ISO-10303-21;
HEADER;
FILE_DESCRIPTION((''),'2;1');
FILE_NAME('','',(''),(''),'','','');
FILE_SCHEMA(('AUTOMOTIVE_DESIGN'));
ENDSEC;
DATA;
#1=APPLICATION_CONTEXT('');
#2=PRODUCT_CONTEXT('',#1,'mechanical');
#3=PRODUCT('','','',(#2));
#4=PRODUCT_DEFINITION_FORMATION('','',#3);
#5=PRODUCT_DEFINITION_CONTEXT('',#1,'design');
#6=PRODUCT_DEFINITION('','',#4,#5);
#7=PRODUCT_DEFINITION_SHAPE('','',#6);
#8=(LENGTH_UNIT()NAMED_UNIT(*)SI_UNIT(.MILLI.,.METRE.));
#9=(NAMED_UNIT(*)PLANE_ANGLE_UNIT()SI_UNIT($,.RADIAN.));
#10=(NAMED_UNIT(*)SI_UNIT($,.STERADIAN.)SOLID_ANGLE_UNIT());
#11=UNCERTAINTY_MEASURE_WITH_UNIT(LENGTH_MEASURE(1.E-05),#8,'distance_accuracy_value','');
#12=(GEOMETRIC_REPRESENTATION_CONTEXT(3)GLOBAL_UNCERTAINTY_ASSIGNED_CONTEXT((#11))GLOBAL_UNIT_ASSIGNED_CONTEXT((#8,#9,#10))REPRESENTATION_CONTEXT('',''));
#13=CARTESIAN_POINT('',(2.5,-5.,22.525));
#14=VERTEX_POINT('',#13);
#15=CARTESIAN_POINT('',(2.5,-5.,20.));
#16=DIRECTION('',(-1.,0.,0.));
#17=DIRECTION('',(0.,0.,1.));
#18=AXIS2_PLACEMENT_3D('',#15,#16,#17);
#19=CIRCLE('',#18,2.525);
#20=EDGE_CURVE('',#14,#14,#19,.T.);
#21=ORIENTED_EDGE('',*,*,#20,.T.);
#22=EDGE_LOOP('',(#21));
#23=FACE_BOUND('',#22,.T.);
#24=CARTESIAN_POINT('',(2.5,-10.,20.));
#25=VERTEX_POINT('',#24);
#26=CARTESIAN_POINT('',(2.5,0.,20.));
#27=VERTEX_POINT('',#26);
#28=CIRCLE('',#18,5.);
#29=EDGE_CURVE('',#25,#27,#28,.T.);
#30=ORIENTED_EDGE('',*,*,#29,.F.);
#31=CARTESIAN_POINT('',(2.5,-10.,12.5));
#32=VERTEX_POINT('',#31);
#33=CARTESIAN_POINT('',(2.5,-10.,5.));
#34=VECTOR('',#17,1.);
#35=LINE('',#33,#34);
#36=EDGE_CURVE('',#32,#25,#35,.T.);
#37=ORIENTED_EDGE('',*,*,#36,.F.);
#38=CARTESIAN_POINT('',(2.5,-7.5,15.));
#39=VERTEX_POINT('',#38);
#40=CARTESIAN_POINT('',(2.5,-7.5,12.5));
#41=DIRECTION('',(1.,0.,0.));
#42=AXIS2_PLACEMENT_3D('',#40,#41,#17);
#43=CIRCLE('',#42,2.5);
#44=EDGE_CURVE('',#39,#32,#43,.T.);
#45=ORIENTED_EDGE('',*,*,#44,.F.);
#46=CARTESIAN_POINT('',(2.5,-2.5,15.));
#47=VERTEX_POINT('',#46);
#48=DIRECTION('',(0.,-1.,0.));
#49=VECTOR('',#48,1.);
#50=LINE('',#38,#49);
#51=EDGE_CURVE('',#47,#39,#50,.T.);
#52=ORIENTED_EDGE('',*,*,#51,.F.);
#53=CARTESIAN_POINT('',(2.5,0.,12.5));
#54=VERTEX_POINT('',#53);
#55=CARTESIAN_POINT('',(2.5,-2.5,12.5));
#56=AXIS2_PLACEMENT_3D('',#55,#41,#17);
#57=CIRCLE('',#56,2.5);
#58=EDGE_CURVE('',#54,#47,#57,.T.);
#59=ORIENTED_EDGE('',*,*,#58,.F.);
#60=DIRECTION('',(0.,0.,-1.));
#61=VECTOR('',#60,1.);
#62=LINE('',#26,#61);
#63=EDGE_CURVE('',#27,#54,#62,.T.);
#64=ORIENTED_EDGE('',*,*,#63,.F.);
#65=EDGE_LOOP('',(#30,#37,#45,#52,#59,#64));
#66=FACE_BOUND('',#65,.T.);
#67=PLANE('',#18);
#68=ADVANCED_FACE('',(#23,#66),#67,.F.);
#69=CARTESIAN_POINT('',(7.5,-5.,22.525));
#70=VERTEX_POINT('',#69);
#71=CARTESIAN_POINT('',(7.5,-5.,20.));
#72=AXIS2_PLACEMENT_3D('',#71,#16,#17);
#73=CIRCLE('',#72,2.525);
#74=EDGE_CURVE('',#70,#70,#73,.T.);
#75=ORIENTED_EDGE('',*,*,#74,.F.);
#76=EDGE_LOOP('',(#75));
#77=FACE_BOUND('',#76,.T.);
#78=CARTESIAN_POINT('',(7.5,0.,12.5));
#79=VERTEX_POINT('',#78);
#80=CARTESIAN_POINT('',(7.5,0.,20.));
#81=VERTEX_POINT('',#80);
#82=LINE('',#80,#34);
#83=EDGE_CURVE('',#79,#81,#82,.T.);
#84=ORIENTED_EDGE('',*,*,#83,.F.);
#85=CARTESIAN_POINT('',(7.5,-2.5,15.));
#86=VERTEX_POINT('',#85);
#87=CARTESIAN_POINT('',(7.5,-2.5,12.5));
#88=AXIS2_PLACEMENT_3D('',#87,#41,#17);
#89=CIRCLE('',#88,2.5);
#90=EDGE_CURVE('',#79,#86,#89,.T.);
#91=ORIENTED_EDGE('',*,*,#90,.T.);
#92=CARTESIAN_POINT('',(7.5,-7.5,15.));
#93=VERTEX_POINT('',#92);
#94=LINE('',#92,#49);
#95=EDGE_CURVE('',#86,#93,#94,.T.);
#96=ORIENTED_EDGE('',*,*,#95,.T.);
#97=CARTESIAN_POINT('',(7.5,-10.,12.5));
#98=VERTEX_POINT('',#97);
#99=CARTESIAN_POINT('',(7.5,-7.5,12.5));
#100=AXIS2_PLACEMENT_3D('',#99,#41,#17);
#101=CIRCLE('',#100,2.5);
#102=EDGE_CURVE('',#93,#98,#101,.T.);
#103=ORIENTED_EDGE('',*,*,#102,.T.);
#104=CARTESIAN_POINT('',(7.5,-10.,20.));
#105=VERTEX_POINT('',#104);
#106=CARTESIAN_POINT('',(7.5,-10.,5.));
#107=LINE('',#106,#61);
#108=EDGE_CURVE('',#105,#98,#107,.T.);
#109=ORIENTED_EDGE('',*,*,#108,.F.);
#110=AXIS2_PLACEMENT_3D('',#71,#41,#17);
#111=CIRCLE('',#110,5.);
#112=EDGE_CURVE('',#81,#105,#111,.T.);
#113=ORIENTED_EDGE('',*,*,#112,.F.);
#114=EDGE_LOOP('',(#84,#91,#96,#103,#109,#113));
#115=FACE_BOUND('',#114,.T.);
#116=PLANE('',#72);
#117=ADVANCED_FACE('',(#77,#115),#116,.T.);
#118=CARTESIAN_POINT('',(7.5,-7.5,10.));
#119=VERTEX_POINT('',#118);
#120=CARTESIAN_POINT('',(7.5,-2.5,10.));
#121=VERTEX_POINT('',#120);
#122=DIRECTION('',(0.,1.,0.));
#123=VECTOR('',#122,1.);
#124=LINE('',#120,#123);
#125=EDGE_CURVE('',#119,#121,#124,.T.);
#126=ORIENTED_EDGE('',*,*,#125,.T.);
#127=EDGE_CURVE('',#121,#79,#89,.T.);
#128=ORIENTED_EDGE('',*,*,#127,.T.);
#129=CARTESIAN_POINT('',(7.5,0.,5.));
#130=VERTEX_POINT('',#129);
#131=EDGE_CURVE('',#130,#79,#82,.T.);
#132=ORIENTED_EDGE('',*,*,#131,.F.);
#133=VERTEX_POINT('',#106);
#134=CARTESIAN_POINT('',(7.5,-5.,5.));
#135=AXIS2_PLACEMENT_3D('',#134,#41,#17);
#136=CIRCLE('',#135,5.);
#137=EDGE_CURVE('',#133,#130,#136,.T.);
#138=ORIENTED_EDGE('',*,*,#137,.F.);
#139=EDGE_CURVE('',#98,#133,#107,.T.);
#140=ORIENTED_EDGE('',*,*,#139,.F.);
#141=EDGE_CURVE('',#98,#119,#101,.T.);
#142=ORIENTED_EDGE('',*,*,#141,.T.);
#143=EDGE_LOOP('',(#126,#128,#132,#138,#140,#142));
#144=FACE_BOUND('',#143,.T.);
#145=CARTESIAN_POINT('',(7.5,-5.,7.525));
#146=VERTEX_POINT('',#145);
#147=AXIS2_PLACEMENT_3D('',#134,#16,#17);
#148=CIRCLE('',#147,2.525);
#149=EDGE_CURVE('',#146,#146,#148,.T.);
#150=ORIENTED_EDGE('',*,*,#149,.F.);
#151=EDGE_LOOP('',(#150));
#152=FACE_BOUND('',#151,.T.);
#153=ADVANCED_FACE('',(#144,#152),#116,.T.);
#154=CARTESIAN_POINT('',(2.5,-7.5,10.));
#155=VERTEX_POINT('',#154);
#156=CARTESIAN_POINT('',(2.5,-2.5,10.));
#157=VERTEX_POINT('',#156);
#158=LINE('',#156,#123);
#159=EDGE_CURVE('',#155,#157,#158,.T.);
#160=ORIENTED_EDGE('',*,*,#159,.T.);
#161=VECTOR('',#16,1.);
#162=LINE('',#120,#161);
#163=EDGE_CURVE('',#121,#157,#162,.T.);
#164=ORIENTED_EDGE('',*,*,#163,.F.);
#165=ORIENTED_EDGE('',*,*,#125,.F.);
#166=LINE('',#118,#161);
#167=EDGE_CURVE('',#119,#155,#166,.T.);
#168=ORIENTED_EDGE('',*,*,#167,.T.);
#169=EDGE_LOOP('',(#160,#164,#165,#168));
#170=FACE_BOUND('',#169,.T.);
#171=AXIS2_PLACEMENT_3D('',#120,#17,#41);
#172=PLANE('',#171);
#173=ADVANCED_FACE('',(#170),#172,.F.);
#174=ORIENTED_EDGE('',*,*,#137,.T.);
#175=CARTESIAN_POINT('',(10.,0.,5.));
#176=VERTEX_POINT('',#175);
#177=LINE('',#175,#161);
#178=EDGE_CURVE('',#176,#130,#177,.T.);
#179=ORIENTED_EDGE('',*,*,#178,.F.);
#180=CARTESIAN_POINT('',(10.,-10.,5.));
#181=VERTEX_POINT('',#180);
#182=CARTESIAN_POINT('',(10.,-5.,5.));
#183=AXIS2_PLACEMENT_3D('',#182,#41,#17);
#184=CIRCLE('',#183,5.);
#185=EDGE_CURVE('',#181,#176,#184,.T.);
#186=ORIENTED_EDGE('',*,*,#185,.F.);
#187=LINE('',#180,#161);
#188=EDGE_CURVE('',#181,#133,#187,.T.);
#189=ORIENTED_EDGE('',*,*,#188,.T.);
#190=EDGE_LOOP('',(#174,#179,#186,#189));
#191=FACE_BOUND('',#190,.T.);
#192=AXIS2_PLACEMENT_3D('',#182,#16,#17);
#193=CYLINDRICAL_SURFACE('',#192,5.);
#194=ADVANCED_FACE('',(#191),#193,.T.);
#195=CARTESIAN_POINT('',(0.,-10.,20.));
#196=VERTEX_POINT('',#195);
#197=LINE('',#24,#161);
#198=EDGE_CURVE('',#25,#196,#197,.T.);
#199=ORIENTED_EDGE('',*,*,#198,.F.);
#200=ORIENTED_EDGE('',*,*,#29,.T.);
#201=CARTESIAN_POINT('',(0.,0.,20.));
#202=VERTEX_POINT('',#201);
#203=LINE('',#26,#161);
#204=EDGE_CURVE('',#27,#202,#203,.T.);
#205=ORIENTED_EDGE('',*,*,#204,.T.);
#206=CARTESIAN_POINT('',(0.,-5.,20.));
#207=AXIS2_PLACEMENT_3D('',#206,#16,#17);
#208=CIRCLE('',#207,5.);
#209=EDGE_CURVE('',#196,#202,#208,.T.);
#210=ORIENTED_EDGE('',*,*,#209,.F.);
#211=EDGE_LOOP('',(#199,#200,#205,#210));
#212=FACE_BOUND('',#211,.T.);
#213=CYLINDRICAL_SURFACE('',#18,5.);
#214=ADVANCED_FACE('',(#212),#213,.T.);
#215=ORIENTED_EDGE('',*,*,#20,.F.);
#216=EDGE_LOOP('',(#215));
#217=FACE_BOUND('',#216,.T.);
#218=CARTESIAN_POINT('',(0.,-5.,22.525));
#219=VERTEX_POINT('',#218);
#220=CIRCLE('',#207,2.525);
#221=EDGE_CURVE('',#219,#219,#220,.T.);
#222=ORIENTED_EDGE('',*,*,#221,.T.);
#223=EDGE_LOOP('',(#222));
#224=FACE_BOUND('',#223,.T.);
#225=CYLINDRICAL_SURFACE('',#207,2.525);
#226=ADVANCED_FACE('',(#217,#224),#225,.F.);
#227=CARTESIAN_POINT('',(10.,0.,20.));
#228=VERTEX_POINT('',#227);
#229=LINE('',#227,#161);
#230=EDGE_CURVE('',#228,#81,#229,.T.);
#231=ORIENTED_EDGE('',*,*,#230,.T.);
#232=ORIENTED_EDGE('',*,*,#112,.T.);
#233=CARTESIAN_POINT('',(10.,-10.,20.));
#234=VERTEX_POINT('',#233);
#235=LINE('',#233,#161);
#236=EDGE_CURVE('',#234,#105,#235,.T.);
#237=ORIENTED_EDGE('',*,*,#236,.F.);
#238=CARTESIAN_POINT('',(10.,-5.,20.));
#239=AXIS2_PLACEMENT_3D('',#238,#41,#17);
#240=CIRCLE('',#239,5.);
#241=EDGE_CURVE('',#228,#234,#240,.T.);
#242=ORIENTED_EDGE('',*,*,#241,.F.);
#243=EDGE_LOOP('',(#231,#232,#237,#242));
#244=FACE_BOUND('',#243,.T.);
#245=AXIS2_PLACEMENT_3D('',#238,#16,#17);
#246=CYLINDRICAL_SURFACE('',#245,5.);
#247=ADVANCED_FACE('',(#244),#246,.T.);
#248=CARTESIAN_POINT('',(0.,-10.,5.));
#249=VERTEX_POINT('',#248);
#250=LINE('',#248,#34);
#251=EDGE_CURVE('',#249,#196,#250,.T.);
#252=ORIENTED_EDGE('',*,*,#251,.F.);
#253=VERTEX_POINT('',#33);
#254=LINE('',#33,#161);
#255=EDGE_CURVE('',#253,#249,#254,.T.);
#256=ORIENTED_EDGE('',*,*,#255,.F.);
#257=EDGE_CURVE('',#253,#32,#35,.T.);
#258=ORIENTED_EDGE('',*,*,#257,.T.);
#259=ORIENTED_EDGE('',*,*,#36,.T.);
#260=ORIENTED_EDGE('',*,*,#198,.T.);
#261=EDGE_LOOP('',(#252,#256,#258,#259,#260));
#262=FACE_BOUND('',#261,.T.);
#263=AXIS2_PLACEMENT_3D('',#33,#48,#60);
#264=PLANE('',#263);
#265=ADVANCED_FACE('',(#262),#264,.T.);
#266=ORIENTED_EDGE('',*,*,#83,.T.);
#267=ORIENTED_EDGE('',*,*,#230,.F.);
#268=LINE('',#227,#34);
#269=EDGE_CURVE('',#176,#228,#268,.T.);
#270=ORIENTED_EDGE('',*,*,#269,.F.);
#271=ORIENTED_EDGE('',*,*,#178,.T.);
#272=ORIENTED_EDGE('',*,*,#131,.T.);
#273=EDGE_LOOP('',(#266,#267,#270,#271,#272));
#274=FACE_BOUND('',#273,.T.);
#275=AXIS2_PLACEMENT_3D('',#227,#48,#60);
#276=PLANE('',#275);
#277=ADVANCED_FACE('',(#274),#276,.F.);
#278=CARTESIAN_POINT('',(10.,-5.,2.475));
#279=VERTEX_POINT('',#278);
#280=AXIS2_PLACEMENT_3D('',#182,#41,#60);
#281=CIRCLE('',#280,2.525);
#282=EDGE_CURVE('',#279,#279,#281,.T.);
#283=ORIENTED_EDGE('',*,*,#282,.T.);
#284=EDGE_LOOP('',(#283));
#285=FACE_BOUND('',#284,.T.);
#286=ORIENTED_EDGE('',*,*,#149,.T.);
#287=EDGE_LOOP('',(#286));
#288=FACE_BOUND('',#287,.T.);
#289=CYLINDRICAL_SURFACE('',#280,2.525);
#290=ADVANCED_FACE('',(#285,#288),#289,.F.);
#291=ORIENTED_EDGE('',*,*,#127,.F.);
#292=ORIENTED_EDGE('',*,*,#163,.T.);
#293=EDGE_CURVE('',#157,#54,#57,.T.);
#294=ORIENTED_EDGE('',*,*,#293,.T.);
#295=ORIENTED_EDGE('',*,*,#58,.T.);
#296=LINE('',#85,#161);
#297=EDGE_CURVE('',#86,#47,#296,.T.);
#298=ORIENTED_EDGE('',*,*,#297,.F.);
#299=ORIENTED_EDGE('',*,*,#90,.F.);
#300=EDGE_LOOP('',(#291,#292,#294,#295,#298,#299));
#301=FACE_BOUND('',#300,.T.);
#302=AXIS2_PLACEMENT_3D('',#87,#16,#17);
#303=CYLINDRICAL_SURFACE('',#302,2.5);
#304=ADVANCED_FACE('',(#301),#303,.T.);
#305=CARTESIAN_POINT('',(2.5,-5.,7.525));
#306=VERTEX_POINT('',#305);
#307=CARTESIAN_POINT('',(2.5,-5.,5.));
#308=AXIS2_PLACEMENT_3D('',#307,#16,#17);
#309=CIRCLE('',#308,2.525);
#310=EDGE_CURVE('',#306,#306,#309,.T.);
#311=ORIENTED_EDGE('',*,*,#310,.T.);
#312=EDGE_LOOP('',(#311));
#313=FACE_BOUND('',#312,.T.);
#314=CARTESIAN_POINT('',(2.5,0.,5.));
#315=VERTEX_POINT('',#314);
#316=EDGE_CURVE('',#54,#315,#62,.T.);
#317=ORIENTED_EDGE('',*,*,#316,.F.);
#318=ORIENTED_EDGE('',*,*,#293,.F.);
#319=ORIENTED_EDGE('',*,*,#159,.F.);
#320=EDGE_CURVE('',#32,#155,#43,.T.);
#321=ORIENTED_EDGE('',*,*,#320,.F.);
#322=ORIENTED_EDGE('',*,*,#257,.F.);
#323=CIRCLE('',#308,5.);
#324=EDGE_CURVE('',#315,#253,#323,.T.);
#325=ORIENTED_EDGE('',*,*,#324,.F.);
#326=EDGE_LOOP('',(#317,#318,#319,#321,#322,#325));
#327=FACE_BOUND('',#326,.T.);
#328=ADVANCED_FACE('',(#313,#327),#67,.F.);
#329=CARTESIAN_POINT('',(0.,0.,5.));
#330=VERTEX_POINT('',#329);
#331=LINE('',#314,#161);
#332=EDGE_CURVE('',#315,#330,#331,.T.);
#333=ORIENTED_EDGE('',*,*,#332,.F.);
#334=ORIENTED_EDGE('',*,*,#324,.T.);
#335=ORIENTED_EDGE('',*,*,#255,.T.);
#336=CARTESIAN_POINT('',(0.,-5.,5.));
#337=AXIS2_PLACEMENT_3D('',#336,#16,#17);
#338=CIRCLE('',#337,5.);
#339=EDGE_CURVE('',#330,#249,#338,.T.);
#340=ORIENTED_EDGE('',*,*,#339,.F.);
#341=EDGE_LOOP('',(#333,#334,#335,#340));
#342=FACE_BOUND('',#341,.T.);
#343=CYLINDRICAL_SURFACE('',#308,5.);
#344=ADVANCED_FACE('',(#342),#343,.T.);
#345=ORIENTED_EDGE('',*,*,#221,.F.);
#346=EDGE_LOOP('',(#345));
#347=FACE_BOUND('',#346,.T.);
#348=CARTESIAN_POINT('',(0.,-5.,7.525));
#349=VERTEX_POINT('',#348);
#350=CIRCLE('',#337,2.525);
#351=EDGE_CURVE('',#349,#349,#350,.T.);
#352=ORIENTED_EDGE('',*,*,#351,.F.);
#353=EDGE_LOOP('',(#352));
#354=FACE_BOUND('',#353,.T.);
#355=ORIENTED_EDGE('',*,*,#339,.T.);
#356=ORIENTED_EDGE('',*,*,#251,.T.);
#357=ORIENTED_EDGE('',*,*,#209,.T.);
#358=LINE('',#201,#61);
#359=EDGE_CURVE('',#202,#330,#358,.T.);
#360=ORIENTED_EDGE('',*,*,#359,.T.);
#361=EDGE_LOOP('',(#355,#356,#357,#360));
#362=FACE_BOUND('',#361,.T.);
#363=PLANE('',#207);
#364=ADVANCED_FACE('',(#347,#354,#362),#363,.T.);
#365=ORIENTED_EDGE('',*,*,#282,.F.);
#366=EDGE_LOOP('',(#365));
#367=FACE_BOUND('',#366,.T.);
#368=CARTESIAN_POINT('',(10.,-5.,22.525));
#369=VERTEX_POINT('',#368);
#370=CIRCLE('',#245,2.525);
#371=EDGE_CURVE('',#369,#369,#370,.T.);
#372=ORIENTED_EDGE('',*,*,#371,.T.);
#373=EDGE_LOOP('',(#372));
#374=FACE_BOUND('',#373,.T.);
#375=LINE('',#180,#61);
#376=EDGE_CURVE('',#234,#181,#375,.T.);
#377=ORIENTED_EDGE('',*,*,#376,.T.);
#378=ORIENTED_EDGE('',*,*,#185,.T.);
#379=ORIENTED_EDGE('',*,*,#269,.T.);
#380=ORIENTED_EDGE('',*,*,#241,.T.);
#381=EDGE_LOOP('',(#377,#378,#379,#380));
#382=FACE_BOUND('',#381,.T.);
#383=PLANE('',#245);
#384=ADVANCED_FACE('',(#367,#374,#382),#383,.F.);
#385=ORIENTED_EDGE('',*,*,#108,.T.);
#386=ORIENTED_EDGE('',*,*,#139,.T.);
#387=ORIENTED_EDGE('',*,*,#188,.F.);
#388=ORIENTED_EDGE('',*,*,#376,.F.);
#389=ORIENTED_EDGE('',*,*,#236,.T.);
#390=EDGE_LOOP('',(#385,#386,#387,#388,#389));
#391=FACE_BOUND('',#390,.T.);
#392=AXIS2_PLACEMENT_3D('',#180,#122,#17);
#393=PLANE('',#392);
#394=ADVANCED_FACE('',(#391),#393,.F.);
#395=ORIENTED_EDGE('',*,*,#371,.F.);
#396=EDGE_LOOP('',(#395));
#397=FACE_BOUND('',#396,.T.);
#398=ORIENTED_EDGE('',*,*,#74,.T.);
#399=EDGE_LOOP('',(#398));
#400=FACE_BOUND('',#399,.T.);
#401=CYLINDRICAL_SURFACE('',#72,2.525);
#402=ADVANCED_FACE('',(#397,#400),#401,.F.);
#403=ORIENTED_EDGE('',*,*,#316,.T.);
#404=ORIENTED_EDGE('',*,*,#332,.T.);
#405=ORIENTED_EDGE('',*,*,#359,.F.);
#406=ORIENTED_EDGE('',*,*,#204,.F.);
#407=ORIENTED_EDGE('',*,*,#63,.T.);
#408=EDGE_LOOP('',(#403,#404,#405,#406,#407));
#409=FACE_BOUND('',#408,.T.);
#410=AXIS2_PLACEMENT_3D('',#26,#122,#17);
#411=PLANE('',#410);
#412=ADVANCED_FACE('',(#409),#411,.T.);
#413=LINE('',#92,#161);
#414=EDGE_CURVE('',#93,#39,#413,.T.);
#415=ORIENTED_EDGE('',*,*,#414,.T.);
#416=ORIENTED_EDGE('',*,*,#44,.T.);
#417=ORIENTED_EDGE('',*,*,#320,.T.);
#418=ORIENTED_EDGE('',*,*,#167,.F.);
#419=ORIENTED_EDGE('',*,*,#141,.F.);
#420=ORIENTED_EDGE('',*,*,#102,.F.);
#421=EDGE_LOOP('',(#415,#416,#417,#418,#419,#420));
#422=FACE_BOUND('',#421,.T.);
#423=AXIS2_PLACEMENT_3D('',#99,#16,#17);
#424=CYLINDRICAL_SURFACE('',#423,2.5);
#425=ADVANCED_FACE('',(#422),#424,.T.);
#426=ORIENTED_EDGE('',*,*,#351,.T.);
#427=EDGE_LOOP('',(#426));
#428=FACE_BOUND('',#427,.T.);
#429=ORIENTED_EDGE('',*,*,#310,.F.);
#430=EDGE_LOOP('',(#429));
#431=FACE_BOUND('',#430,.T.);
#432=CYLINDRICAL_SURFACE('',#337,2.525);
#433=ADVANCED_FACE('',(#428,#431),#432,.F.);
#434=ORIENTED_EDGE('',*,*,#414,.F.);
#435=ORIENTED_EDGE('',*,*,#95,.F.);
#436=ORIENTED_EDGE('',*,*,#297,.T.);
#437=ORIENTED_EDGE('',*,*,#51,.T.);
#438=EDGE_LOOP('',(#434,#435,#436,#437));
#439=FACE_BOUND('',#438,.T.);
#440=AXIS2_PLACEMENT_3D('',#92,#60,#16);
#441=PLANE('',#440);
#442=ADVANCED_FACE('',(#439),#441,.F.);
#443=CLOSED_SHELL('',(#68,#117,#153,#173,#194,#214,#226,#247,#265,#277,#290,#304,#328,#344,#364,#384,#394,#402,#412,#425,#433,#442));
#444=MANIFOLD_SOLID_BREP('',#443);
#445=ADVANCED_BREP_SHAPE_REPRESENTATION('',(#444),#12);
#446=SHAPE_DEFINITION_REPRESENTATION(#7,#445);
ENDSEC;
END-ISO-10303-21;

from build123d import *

# Parameters (mm, degrees)
BOSS_EXTRUDE1_DEPTH = 2.5
BOSS_EXTRUDE2_DEPTH = 5
BOSS_EXTRUDE3_DEPTH = 2.5
HOLE1_D             = 5.05
HOLE1_DEPTH         = 2.5
HOLE2_D             = 5.05
HOLE2_DEPTH         = 2.5
HOLE3_D             = 5.05
HOLE3_DEPTH         = 10


with BuildPart() as part:
    # Sketch1 → Boss-Extrude1 (new body)
    with BuildSketch(Plane(origin=(0, 0, 0), x_dir=(0, -1, 0), z_dir=(-1, 0, 0))):
        with BuildLine():
            Line((0, 20), (0, 5))
            ThreePointArc((0, 5), (5, 0), (10, 5))
            Line((10, 5), (10, 20))
            ThreePointArc((10, 20), (5, 25), (0, 20))
        make_face()
    extrude(amount=-BOSS_EXTRUDE1_DEPTH)

    # Sketch2 → Boss-Extrude2 (add)
    with BuildSketch(Plane(origin=(2.5, 0, 0), x_dir=(0, 0, -1), z_dir=(1, 0, 0))):
        with BuildLine():
            Line((-15, -7.5), (-15, -2.5))
            ThreePointArc((-15, -2.5), (-12.5, 0), (-10, -2.5))
            Line((-10, -2.5), (-10, -7.5))
            ThreePointArc((-10, -7.5), (-12.5, -10), (-15, -7.5))
        make_face()
    extrude(amount=BOSS_EXTRUDE2_DEPTH)

    # Sketch3 → Boss-Extrude3 (add)
    with BuildSketch(Plane(origin=(7.5, 0, 0), x_dir=(0, 0, -1), z_dir=(1, 0, 0))):
        with BuildLine():
            Line((-20, 0), (-5, 0))
            ThreePointArc((-5, 0), (0, -5), (-5, -10))
            Line((-5, -10), (-20, -10))
            ThreePointArc((-20, -10), (-25, -5), (-20, 0))
        make_face()
    extrude(amount=BOSS_EXTRUDE3_DEPTH)

    # Hole1
    with Locations(Plane(origin=(10, 0, 0), x_dir=(0, 0, -1), z_dir=(1, 0, 0))):
        with Locations((-5, -5)):
            Hole(HOLE1_D / 2, depth=HOLE1_DEPTH)

    # Hole2
    with Locations(Plane.ZY.offset(-7.5)):
        with Locations((20, -5)):
            Hole(HOLE2_D / 2, depth=HOLE2_DEPTH)

    # Hole3
    with Locations(Plane.ZY):
        with Locations((20, -5), (5, -5)):
            Hole(HOLE3_D / 2, depth=HOLE3_DEPTH)


solid = part.part
